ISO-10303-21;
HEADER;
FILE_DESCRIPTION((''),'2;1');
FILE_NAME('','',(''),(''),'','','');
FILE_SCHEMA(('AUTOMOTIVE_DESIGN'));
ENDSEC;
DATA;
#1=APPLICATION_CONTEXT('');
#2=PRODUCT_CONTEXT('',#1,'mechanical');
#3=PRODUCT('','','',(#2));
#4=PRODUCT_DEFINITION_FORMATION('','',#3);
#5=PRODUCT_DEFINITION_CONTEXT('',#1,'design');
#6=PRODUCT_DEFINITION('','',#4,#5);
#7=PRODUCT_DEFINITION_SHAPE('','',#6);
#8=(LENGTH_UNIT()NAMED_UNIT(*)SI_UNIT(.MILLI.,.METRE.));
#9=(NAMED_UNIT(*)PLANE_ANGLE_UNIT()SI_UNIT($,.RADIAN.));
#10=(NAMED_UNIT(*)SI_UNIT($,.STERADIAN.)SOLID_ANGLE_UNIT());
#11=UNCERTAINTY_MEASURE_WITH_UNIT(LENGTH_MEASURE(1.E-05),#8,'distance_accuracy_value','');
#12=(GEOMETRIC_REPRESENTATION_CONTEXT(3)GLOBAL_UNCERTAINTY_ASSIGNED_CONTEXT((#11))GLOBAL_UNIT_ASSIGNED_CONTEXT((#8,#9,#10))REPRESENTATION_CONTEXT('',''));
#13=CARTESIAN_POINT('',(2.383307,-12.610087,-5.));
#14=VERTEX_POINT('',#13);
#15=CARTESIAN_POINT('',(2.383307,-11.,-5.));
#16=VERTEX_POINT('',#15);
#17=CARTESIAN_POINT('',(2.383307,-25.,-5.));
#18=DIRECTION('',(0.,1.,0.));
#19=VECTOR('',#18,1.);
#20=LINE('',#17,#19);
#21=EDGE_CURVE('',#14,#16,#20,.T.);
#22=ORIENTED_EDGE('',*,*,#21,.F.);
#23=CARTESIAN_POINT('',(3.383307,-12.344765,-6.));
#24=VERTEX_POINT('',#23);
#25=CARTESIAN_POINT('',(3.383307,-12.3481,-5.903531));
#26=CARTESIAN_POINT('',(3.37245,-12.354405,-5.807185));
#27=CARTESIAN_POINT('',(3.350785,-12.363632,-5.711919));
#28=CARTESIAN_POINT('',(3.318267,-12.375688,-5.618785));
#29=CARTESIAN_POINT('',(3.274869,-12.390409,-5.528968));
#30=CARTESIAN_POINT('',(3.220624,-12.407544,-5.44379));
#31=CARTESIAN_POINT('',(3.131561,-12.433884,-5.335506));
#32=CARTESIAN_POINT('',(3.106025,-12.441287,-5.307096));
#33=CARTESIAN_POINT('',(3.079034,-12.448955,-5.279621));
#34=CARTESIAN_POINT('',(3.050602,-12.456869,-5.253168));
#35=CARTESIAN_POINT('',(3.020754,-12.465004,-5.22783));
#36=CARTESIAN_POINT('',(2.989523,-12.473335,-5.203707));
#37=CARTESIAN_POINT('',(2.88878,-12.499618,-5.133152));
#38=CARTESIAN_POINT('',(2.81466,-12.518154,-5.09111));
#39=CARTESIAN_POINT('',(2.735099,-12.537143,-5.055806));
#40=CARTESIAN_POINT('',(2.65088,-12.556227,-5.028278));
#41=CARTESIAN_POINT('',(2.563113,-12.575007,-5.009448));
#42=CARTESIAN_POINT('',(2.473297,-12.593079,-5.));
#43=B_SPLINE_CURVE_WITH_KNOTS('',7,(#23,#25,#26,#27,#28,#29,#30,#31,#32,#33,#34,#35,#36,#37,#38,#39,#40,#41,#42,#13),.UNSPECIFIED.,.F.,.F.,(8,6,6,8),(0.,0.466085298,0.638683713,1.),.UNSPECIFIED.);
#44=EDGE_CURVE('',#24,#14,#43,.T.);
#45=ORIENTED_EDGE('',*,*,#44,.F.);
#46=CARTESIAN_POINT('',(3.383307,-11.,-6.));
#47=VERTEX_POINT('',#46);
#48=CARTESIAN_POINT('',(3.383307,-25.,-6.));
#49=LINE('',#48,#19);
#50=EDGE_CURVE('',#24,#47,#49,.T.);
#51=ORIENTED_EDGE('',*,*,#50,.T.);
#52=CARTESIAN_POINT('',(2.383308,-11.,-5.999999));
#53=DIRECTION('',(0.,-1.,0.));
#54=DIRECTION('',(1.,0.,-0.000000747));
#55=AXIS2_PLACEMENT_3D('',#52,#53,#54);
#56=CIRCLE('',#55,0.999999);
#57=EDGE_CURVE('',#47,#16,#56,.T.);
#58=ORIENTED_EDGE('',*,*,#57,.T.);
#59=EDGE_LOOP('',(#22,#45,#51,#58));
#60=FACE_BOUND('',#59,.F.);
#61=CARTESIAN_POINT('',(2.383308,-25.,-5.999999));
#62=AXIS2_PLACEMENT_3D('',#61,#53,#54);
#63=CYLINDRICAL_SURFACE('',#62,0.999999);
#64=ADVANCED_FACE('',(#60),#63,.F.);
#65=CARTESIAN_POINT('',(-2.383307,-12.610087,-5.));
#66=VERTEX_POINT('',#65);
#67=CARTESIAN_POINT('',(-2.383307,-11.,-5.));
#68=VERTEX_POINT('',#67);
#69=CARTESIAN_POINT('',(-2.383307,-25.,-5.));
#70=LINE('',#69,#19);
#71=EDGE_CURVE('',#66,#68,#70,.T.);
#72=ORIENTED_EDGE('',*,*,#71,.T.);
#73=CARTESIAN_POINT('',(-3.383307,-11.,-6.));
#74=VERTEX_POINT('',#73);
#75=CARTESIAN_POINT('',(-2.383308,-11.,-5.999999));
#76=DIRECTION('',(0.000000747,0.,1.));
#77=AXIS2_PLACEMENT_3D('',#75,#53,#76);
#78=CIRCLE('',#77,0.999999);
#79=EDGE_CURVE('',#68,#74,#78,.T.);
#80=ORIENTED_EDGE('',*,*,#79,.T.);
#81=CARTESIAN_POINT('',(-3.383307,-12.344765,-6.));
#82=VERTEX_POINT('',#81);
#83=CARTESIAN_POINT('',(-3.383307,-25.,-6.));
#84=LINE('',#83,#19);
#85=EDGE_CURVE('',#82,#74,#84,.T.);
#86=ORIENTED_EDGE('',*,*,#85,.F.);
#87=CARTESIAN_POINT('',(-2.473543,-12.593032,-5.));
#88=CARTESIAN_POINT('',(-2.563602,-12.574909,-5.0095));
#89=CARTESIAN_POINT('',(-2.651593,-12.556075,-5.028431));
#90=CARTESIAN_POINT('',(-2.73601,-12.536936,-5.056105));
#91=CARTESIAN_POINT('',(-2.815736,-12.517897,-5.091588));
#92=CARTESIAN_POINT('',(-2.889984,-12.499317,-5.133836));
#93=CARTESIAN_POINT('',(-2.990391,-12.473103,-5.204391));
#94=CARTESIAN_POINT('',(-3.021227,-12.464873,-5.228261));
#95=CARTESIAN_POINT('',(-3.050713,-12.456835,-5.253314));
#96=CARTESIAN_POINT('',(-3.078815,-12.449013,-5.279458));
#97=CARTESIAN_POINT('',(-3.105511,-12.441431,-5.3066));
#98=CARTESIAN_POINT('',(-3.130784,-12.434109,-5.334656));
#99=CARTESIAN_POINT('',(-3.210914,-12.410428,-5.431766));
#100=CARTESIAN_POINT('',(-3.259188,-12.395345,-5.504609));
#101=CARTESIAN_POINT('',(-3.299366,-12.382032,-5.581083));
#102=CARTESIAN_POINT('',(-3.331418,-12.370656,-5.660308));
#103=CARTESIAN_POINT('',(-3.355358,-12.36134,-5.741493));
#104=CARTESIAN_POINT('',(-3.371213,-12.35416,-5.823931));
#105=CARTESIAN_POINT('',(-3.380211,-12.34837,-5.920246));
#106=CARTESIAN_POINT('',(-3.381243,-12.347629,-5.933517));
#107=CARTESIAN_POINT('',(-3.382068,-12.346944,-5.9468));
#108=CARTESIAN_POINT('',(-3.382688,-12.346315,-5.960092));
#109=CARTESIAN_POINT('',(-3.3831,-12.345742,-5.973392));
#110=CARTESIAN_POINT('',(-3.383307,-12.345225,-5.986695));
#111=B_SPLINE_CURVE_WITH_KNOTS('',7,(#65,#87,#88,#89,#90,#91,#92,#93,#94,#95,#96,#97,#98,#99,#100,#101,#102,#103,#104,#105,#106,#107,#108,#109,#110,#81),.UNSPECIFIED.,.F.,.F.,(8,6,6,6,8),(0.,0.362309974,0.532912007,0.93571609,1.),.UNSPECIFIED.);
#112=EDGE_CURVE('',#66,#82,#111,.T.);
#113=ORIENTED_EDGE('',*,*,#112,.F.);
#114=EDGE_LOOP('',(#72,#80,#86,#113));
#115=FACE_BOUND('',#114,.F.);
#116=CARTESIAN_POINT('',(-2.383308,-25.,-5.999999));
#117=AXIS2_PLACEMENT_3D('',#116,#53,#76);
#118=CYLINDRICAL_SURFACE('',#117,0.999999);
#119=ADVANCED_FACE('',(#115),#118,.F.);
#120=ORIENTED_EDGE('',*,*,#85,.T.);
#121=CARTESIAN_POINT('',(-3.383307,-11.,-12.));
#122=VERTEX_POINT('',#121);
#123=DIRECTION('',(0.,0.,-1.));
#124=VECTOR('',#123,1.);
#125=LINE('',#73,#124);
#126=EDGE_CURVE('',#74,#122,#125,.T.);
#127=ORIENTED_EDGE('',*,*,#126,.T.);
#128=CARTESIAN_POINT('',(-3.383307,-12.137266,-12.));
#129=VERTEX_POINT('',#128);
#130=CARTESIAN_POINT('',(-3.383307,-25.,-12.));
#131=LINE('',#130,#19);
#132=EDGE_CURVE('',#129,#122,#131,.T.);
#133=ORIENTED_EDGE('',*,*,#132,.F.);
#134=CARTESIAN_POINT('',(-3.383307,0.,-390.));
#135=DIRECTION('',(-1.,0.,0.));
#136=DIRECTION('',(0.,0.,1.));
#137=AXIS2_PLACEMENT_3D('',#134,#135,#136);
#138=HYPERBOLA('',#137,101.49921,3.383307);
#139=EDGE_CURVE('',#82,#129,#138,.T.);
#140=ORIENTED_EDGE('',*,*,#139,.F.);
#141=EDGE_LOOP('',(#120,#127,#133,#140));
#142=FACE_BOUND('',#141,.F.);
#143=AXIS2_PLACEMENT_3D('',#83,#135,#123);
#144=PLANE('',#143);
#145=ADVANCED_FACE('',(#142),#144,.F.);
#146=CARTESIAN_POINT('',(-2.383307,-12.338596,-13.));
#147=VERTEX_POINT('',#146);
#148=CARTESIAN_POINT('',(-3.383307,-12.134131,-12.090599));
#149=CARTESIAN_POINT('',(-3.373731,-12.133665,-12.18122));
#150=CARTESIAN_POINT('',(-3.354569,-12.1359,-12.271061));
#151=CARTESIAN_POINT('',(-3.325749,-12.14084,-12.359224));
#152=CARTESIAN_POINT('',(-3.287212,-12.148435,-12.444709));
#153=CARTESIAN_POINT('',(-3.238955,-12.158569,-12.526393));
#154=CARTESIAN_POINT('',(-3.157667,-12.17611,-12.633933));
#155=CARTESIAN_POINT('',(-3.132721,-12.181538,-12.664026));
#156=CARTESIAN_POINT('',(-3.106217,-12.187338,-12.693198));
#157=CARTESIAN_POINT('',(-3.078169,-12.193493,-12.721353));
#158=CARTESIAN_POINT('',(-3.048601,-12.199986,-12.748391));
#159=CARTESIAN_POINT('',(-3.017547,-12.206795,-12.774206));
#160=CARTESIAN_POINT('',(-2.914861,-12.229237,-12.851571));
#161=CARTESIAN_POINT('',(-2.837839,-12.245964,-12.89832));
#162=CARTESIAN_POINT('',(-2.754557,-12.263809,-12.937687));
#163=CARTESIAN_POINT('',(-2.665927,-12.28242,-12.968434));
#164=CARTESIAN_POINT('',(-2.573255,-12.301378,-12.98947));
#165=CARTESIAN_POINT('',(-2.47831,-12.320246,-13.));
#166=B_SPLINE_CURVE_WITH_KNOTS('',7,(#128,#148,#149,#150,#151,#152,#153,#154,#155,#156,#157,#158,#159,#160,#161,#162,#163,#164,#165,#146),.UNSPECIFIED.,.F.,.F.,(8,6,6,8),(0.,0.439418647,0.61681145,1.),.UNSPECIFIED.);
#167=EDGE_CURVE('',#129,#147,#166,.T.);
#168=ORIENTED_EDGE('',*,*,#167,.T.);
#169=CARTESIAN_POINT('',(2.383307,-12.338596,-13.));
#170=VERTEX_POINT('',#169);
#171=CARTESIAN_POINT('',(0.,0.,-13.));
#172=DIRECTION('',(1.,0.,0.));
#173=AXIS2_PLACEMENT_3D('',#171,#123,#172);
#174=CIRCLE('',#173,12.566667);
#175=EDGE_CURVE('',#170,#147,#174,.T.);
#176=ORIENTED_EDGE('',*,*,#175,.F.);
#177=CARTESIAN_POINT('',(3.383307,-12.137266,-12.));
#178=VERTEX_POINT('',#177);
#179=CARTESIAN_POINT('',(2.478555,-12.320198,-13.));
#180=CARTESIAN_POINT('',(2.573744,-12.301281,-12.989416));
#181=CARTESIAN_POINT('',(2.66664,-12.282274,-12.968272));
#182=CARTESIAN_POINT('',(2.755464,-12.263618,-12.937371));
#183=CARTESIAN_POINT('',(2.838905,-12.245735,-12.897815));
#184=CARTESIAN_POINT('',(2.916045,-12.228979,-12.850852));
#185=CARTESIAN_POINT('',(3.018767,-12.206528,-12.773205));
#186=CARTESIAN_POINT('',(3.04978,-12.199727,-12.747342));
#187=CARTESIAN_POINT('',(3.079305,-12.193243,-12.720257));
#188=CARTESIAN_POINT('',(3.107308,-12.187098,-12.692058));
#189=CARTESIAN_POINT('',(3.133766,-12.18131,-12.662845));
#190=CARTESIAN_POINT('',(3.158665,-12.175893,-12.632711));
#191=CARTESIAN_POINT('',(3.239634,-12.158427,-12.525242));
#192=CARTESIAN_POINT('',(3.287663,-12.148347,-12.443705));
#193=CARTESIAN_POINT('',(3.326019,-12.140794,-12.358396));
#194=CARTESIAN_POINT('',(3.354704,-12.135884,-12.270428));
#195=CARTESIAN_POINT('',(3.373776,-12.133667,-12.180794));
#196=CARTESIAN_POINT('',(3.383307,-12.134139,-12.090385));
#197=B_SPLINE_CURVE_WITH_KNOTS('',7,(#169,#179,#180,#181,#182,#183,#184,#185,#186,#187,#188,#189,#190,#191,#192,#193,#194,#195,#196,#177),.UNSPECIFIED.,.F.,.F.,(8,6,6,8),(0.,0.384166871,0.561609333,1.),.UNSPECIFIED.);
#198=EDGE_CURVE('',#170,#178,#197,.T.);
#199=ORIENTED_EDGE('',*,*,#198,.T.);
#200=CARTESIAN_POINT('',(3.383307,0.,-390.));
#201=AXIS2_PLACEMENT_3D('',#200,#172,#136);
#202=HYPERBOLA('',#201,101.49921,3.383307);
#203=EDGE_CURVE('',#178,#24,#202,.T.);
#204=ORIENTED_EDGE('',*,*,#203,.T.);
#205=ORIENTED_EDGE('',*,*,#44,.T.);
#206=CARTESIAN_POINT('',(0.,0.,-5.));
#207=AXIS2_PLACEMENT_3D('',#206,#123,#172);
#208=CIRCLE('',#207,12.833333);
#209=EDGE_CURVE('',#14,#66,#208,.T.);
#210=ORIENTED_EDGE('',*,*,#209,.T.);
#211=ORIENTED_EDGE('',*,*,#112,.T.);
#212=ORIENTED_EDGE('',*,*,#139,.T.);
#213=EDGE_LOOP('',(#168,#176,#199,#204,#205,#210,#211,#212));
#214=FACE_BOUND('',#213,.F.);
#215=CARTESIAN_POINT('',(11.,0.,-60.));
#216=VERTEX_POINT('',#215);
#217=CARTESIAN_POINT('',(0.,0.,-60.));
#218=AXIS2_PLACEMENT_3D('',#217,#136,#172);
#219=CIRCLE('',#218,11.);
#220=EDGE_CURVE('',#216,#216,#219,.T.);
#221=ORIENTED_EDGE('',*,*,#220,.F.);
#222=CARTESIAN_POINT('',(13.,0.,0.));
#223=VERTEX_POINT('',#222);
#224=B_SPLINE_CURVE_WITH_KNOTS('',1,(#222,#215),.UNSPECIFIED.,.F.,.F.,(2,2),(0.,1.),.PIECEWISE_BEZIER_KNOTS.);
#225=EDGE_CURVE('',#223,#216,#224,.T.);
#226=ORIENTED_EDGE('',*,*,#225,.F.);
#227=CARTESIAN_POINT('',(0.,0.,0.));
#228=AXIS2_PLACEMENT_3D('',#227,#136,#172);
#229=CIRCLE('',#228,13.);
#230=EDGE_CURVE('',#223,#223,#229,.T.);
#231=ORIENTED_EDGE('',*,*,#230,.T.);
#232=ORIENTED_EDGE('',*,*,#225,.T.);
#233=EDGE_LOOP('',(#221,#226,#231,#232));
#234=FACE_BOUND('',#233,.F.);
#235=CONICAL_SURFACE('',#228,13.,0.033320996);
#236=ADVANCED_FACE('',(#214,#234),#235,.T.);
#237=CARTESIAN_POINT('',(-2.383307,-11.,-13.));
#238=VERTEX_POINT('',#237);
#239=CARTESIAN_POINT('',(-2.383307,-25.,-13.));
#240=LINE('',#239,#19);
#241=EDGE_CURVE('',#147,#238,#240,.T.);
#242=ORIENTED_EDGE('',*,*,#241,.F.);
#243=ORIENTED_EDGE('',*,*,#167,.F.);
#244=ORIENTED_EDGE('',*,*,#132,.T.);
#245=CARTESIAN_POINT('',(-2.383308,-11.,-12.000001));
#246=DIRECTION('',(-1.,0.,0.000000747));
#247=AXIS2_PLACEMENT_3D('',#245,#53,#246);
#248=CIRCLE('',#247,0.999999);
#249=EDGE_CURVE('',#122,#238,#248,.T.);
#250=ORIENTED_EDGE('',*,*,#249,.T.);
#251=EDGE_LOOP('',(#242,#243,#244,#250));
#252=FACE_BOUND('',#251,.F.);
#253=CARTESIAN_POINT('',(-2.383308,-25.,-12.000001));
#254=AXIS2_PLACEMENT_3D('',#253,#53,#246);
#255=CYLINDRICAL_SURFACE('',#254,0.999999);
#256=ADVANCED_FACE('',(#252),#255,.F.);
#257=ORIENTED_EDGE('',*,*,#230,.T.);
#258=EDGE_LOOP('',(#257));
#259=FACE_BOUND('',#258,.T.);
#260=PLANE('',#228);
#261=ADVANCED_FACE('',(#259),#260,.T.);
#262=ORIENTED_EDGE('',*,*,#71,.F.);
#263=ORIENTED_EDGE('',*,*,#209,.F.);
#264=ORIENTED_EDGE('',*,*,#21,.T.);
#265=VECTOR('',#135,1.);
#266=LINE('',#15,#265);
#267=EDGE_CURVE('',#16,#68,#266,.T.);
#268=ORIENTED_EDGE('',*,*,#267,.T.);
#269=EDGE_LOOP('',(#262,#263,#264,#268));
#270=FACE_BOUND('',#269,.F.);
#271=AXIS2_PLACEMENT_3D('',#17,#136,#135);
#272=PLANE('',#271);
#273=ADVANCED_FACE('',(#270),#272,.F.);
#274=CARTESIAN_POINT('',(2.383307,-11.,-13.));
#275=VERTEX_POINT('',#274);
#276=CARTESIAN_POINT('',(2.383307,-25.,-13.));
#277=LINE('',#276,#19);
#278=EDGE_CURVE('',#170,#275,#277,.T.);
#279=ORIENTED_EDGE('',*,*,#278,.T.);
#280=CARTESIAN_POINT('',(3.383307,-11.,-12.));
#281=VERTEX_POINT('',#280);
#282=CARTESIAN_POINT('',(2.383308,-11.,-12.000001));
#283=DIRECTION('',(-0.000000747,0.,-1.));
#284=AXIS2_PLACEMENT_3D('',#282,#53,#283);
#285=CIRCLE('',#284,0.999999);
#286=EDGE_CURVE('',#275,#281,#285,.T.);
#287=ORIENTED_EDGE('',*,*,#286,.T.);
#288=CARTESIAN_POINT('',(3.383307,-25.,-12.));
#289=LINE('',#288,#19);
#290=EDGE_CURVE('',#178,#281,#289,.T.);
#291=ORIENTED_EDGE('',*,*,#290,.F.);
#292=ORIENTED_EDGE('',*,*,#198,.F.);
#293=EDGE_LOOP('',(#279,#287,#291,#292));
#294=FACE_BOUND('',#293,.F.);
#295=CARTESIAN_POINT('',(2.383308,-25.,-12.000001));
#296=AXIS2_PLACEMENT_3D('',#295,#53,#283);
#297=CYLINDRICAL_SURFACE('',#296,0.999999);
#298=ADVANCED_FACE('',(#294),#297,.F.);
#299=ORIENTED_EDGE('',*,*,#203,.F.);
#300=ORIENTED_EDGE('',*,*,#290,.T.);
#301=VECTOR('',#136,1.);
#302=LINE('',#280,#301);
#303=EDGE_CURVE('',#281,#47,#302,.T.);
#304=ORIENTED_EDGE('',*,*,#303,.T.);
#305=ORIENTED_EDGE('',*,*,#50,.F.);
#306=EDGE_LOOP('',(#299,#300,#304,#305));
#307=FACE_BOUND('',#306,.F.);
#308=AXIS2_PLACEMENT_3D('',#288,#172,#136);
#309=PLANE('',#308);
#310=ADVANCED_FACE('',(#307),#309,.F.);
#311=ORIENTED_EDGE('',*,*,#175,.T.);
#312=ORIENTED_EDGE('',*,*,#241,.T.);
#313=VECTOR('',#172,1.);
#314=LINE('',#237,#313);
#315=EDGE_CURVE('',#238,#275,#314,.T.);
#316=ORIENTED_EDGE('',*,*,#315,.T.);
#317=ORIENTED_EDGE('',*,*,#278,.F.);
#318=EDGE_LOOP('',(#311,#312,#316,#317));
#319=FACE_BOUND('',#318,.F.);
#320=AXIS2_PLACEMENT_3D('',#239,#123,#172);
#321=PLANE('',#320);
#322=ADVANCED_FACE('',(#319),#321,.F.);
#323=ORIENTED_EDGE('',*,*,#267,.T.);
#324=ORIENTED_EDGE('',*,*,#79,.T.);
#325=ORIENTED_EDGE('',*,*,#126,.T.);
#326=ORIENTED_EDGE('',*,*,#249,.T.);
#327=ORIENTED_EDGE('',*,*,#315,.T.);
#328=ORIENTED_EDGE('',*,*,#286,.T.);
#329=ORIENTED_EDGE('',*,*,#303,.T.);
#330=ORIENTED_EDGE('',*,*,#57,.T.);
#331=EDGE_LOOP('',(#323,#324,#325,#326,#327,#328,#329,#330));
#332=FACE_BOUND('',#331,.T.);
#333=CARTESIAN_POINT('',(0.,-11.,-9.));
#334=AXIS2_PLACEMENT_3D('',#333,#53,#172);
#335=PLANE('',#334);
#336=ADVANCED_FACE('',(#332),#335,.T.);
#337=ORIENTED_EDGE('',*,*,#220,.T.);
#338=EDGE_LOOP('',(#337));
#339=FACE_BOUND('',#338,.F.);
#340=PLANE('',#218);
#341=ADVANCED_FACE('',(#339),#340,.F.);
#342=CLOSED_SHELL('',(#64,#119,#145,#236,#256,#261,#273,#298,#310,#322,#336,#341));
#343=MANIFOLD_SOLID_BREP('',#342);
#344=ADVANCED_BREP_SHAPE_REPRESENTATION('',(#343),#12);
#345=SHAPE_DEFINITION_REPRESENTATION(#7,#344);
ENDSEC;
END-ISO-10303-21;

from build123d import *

# Parameters (mm, degrees)
F0_R     = 13
F2_R     = 11
F6_DEPTH = 14


with BuildPart() as f3:
    # F0 (on Top) → F3 section 0
    with BuildSketch(Plane.XY):
        Circle(F0_R)
    # F2 (on offset) → F3 section 1
    with BuildSketch(Plane.XY.offset(-60)):
        Circle(F2_R)
    loft()

    # F5 (on offset) → F6 (cut)
    with BuildSketch(Plane.XZ.offset(25)):
        with BuildLine():
            Line((0, -5), (-2.383307, -5))
            ThreePointArc((-2.383307, -5), (-3.090414, -5.292893), (-3.383307, -6))
            Line((-3.383307, -6), (-3.383307, -12))
            ThreePointArc((-3.383307, -12), (-3.090414, -12.707107), (-2.383307, -13))
            Line((-2.383307, -13), (2.383307, -13))
            ThreePointArc((2.383307, -13), (3.090414, -12.707107), (3.383307, -12))
            Line((3.383307, -12), (3.383307, -6))
            ThreePointArc((3.383307, -6), (3.090414, -5.292893), (2.383307, -5))
            Line((2.383307, -5), (0, -5))
        make_face()
    extrude(amount=-F6_DEPTH, mode=Mode.SUBTRACT)


solid = f3.part
